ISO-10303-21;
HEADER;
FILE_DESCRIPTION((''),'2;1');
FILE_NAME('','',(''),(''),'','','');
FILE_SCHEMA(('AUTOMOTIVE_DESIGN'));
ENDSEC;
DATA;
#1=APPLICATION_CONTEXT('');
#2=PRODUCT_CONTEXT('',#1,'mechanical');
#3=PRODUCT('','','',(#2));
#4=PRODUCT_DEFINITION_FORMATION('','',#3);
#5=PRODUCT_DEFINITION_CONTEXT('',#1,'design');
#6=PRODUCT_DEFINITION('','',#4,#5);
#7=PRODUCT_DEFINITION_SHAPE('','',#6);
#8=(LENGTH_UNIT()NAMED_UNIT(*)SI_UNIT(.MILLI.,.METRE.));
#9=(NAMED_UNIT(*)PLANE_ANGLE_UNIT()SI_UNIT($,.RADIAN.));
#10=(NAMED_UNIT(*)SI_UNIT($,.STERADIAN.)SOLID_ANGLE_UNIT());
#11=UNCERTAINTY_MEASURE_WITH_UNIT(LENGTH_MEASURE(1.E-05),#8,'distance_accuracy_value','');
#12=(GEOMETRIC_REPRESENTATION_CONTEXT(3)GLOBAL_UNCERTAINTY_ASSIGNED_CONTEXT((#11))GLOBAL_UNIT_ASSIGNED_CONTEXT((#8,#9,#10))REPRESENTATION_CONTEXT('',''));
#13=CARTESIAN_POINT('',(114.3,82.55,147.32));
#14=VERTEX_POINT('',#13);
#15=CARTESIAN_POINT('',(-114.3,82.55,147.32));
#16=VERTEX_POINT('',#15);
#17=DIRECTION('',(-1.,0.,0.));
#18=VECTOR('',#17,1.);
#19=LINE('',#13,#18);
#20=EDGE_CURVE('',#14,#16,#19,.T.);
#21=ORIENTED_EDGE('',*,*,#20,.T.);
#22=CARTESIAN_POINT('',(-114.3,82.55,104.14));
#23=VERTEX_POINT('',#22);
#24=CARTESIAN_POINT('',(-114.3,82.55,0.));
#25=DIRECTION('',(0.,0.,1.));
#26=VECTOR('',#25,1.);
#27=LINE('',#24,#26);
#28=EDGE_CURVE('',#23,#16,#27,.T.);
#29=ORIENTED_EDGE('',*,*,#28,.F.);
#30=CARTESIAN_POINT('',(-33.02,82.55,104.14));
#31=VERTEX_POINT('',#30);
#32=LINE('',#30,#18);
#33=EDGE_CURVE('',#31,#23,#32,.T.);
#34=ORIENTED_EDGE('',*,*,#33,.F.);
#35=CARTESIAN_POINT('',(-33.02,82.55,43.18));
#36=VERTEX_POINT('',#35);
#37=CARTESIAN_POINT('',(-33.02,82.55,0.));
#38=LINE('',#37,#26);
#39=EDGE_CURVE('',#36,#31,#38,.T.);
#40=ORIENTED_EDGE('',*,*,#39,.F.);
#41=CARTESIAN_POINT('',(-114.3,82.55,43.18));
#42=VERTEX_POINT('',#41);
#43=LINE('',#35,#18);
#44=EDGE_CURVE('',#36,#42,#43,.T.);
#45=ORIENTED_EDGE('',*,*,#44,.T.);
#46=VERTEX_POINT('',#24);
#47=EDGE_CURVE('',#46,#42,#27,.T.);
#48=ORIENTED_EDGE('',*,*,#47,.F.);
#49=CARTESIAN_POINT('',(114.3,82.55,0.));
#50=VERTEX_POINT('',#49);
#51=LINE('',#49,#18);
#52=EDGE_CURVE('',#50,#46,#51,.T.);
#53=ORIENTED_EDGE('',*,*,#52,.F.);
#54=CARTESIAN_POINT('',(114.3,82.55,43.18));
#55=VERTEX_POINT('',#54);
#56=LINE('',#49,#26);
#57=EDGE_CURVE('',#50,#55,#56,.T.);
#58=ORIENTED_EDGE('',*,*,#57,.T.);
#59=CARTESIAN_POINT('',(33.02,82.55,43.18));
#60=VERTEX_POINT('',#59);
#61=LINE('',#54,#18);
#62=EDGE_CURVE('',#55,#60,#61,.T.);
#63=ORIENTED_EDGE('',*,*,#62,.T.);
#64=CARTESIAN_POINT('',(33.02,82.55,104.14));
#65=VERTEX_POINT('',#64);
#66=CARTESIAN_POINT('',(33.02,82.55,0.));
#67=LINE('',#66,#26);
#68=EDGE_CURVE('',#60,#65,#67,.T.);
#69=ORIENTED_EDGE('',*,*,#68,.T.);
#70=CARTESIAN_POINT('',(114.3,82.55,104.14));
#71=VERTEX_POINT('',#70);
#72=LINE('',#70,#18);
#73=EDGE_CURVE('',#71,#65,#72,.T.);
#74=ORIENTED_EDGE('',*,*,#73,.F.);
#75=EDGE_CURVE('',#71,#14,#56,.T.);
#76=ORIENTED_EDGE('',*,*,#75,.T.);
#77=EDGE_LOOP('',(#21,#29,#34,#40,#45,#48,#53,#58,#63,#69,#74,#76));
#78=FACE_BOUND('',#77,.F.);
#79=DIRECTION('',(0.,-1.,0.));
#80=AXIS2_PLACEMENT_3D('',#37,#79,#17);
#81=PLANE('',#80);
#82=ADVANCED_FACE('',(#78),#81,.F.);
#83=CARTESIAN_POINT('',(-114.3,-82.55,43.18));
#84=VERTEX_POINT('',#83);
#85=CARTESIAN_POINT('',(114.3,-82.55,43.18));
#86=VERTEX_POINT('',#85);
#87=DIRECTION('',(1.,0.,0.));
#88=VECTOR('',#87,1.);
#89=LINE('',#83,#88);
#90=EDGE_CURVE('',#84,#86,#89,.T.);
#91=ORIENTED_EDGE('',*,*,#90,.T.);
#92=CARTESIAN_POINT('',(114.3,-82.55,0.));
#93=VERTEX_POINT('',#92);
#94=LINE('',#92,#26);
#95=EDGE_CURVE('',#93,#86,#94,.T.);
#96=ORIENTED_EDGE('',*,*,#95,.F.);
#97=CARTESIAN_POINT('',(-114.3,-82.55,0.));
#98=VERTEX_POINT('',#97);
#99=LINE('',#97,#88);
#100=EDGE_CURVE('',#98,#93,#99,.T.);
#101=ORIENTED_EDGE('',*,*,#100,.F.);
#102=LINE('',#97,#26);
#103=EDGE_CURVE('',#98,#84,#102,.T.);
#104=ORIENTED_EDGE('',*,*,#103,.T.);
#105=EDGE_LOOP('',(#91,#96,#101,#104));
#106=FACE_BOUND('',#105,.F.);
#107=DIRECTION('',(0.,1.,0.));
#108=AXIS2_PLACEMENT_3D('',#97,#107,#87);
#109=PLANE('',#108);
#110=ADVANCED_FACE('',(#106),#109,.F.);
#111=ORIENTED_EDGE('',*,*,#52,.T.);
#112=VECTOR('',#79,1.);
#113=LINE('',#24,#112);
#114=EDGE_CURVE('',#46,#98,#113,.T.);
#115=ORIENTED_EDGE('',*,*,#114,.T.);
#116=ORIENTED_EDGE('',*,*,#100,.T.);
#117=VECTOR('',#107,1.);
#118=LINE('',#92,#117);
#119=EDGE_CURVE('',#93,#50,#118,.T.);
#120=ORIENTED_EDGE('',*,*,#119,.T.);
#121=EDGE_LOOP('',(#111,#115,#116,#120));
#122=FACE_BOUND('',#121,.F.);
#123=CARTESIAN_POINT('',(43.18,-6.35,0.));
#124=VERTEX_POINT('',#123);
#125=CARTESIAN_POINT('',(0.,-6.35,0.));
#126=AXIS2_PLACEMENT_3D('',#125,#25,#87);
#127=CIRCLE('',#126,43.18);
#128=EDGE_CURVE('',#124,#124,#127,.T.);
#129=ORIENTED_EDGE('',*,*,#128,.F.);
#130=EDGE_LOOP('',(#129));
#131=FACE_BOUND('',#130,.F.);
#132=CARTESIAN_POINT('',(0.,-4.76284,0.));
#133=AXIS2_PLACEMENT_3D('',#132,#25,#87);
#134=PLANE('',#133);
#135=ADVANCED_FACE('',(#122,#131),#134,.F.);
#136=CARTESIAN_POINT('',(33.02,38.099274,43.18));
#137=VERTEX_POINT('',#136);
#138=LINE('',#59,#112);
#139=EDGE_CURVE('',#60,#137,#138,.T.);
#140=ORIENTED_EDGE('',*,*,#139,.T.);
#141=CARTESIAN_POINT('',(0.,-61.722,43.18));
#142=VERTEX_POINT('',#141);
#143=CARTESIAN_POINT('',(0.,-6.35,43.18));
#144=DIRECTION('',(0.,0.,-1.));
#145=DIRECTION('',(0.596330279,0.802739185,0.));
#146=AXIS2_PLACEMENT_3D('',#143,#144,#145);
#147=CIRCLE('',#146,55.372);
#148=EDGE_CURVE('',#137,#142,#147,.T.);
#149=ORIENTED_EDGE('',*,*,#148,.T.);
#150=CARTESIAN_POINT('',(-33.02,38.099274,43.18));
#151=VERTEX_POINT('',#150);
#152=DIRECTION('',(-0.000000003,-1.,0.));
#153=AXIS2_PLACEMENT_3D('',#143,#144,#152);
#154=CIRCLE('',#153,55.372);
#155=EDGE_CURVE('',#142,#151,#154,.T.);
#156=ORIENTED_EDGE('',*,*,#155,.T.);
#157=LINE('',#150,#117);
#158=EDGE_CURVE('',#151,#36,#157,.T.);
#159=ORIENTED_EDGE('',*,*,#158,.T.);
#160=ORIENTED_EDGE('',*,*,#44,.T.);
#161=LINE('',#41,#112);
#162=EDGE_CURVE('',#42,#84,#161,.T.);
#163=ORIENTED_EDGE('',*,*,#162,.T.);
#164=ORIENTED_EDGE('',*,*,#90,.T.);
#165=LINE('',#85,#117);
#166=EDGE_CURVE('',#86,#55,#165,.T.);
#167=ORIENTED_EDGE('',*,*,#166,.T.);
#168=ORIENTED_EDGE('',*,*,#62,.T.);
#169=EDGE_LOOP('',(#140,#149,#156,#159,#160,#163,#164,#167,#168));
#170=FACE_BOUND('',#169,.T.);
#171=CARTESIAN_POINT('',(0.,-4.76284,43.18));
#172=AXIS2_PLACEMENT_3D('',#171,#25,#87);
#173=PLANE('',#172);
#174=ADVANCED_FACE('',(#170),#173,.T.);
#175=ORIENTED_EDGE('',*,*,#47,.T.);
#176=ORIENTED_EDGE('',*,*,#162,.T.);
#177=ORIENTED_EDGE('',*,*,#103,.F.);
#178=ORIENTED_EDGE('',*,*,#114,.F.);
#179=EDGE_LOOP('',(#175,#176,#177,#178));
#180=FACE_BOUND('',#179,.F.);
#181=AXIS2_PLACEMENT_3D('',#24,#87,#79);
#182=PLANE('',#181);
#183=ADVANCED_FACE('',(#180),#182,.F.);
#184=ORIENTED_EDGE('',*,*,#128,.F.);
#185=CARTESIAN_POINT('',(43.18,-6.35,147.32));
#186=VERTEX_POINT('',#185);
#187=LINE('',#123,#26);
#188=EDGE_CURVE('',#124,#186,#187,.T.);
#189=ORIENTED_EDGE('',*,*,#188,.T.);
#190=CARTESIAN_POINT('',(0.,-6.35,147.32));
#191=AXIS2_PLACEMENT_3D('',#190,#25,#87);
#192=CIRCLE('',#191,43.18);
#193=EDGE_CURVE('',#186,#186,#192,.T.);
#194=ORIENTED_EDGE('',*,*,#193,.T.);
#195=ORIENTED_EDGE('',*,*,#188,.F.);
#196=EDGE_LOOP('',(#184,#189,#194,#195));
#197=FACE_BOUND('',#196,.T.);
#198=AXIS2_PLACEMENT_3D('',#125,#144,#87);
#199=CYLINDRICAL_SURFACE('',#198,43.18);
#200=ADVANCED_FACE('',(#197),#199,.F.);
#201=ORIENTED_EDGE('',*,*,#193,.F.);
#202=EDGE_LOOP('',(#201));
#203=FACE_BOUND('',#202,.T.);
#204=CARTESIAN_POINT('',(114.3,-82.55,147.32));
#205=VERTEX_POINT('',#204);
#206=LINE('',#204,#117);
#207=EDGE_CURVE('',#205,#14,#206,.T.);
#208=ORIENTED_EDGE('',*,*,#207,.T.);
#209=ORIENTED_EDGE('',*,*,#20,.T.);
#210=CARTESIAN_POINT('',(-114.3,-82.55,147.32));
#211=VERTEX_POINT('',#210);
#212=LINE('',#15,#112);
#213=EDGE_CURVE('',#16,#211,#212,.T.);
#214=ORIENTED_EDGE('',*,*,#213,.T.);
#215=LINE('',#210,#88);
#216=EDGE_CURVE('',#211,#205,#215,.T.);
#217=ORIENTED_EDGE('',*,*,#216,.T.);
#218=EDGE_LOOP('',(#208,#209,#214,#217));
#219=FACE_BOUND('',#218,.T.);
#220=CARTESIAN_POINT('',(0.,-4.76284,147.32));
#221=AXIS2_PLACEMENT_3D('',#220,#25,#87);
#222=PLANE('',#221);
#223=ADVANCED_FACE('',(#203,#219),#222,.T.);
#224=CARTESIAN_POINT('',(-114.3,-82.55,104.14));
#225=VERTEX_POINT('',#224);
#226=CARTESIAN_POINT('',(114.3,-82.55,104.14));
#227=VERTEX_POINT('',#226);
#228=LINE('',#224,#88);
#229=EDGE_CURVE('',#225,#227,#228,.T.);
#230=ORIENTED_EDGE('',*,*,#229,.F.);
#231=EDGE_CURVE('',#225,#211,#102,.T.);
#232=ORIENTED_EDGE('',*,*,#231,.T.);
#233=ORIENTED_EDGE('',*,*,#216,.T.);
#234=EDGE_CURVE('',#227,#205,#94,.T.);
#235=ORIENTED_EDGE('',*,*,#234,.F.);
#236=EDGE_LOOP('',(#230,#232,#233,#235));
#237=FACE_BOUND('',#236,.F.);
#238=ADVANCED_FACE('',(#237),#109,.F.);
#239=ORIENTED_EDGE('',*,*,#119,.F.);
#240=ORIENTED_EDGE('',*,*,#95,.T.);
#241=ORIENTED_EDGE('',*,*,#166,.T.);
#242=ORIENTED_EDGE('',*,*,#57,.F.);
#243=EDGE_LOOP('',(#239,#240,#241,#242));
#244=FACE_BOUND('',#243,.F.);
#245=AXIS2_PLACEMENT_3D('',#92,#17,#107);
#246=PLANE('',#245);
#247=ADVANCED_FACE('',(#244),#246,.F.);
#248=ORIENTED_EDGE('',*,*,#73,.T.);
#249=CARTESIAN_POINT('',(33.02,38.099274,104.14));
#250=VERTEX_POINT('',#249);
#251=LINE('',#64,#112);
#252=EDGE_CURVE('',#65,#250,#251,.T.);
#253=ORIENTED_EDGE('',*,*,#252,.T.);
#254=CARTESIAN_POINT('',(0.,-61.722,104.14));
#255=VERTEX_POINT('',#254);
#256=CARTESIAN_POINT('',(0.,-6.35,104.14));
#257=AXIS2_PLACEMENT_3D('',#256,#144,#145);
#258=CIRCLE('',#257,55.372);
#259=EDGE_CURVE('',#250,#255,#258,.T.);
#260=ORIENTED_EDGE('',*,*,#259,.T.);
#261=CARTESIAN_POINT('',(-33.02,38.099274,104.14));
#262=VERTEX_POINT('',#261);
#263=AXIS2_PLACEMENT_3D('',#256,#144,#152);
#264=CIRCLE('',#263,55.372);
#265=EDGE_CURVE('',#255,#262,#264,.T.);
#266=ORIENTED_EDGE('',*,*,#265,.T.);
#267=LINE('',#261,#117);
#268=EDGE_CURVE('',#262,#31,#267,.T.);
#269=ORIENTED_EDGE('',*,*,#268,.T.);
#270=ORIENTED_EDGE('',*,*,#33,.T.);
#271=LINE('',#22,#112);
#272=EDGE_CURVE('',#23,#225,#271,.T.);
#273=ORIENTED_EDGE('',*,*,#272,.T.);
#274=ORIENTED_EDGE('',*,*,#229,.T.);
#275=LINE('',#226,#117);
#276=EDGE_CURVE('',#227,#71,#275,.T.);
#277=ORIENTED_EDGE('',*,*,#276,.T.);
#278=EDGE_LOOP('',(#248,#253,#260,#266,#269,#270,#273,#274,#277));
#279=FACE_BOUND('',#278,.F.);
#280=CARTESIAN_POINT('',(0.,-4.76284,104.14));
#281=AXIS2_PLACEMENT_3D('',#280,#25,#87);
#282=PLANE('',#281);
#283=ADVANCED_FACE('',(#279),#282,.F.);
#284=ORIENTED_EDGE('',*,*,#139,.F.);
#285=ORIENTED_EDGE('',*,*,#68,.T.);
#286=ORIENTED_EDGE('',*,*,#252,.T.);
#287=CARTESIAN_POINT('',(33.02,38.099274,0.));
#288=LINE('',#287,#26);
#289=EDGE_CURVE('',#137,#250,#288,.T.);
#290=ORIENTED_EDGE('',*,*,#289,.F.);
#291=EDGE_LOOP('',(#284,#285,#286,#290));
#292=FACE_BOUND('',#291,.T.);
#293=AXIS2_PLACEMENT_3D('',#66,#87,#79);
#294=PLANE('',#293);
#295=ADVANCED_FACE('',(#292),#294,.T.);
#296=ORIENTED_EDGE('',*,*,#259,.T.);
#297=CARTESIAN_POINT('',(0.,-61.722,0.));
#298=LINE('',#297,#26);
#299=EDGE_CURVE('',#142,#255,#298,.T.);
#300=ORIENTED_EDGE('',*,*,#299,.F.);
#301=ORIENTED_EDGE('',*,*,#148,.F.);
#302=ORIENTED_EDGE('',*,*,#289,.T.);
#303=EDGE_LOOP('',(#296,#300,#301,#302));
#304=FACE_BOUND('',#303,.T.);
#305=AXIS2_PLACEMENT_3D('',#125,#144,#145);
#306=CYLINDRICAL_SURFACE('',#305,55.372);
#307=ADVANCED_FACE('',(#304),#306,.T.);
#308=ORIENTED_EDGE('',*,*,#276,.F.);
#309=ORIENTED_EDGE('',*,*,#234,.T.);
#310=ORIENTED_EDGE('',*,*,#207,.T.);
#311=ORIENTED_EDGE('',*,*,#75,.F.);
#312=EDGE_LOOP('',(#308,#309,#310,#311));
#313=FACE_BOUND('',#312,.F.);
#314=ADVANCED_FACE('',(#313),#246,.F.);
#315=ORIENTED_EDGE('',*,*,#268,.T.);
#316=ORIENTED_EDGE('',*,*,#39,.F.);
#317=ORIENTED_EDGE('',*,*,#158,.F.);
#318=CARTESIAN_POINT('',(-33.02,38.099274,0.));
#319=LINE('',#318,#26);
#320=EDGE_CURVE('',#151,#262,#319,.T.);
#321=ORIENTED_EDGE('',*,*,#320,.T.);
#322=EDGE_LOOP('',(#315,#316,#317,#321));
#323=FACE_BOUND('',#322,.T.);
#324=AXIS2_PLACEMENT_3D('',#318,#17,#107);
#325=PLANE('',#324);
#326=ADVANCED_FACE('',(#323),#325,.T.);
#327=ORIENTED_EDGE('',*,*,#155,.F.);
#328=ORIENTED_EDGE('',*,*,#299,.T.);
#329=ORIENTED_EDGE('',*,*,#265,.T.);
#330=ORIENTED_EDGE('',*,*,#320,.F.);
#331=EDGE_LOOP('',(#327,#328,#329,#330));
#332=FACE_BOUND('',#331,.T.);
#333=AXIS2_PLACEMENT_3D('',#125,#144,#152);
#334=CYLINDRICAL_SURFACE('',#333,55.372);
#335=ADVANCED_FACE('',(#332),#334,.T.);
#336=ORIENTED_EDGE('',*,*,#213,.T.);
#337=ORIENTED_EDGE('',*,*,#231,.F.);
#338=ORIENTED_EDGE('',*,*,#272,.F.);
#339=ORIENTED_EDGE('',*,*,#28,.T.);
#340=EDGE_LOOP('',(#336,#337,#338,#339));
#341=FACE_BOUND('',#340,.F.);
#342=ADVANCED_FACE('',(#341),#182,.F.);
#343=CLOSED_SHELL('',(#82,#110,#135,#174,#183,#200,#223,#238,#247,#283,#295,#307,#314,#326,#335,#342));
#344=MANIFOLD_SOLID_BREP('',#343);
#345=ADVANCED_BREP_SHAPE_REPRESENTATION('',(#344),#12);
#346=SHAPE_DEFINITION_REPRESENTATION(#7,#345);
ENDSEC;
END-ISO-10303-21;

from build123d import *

# Parameters (mm, degrees)
F0_R     = 43.18
F1_DEPTH = 147.32
F2_DEPTH = 104.14
F3_DEPTH = 43.18


with BuildPart() as f1:
    # F0 (on Top) → F1 (new body)
    with BuildSketch(Plane.XY):
        with BuildLine():
            Line((-114.3, 82.55), (-114.3, -82.55))
            Line((-114.3, -82.55), (114.3, -82.55))
            Line((114.3, -82.55), (114.3, 82.55))
            Line((114.3, 82.55), (33.02, 82.55))
            Line((33.02, 82.55), (33.02, 38.099274))
            ThreePointArc((33.02, 38.099274), (52.570446, -23.739841), (0, -61.722))
            ThreePointArc((0, -61.722), (-52.570446, -23.739841), (-33.02, 38.099274))
            Line((-33.02, 38.099274), (-33.02, 82.55))
            Line((-33.02, 82.55), (-114.3, 82.55))
        make_face()
        with BuildLine():
            Line((0, 82.55), (-33.02, 82.55))
            Line((-33.02, 82.55), (-33.02, 38.099274))
            ThreePointArc((-33.02, 38.099274), (-52.570446, -23.739841), (0, -61.722))
            ThreePointArc((0, -61.722), (52.570446, -23.739841), (33.02, 38.099274))
            Line((33.02, 38.099274), (33.02, 82.55))
            Line((33.02, 82.55), (0, 82.55))
        make_face()
        with Locations((0, -6.35)):
            Circle(F0_R, mode=Mode.SUBTRACT)
    extrude(amount=F1_DEPTH)

    # F0 (on Top) → F2 (cut)
    with BuildSketch(Plane.XY):
        with BuildLine():
            Line((-114.3, 82.55), (-114.3, -82.55))
            Line((-114.3, -82.55), (114.3, -82.55))
            Line((114.3, -82.55), (114.3, 82.55))
            Line((114.3, 82.55), (33.02, 82.55))
            Line((33.02, 82.55), (33.02, 38.099274))
            ThreePointArc((33.02, 38.099274), (52.570446, -23.739841), (0, -61.722))
            ThreePointArc((0, -61.722), (-52.570446, -23.739841), (-33.02, 38.099274))
            Line((-33.02, 38.099274), (-33.02, 82.55))
            Line((-33.02, 82.55), (-114.3, 82.55))
        make_face()
    extrude(amount=F2_DEPTH, mode=Mode.SUBTRACT)

    # F0 (on Top) → F3 (join)
    with BuildSketch(Plane.XY):
        with BuildLine():
            Line((-114.3, 82.55), (-114.3, -82.55))
            Line((-114.3, -82.55), (114.3, -82.55))
            Line((114.3, -82.55), (114.3, 82.55))
            Line((114.3, 82.55), (33.02, 82.55))
            Line((33.02, 82.55), (33.02, 38.099274))
            ThreePointArc((33.02, 38.099274), (52.570446, -23.739841), (0, -61.722))
            ThreePointArc((0, -61.722), (-52.570446, -23.739841), (-33.02, 38.099274))
            Line((-33.02, 38.099274), (-33.02, 82.55))
            Line((-33.02, 82.55), (-114.3, 82.55))
        make_face()
    extrude(amount=F3_DEPTH)


solid = f1.part
